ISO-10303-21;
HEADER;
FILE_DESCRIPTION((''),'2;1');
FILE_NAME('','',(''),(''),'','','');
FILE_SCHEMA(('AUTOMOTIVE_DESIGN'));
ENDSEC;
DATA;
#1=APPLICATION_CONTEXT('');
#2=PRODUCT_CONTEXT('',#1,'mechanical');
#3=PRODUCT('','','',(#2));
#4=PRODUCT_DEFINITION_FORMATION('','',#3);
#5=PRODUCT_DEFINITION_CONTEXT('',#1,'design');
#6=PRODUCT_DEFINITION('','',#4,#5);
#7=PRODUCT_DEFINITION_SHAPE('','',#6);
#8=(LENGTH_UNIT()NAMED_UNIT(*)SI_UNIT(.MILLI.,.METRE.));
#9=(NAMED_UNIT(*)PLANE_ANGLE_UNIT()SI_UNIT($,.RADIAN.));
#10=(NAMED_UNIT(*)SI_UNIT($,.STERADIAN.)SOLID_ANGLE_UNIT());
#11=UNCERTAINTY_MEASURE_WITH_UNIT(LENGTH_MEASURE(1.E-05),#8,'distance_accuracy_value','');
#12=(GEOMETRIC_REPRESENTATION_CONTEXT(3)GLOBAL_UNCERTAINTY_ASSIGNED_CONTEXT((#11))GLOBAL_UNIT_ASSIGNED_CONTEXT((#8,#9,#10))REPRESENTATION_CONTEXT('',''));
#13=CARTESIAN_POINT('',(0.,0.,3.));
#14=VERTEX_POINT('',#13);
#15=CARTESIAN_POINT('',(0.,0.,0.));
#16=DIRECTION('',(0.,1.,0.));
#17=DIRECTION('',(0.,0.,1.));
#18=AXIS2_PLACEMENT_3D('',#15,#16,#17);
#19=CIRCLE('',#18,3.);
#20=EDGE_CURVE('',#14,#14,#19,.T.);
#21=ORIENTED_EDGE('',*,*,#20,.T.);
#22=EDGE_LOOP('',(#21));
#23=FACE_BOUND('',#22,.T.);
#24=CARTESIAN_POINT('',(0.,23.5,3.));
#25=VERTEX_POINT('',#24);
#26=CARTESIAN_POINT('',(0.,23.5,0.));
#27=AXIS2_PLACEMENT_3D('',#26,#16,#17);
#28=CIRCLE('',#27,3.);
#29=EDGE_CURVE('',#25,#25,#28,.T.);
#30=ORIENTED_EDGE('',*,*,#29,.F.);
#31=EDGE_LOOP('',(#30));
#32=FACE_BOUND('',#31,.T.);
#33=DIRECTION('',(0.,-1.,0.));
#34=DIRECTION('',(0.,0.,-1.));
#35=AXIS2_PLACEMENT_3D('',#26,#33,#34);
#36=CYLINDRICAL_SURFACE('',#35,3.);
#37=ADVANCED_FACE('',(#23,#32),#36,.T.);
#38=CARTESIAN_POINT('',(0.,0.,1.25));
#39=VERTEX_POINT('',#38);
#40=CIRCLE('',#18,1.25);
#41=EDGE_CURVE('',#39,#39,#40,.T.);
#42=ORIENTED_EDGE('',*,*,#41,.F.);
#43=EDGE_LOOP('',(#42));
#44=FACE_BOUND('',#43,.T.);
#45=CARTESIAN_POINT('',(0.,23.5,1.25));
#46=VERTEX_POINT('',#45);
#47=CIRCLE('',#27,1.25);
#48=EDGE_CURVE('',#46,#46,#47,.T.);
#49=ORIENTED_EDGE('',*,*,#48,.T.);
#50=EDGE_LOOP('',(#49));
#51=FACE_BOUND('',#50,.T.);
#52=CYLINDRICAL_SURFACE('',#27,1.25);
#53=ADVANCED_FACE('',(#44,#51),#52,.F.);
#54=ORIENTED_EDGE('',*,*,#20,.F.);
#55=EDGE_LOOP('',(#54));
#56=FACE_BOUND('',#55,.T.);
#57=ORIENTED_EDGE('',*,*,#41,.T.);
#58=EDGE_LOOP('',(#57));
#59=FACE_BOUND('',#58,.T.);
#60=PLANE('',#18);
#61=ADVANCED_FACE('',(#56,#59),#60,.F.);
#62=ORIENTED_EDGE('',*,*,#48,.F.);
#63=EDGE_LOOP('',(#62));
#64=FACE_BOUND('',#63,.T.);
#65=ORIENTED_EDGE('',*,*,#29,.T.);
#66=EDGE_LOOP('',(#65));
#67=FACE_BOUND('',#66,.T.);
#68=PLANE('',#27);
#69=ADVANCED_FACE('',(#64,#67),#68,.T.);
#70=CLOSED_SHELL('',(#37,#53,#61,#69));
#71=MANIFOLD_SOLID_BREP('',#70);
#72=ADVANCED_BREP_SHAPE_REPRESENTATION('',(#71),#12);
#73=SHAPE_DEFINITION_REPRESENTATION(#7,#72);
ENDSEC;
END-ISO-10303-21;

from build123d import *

# Parameters (mm, degrees)
SKETCH1_R                   = 3
BOSS_EXTRUDE1_DEPTH         = 23.5
TAP_DRILL_FOR_M3X0_5_TAP1_D = 2.5


with BuildPart() as part:
    # Sketch1 → Boss-Extrude1 (new body)
    with BuildSketch(Plane(origin=(0, 0, 0), x_dir=(1, 0, 0), z_dir=(0, 1, 0))):
        with Locations(Location((0, 0, 0), (0, 0, 270))):
            Circle(SKETCH1_R)
    extrude(amount=BOSS_EXTRUDE1_DEPTH)

    # Tap Drill for M3x0.5 Tap1 (through all)
    with Locations(Plane(origin=(0, 23.5, 0), x_dir=(1, 0, 0), z_dir=(0, 1, 0))):
        with Locations((0, 0)):
            Hole(TAP_DRILL_FOR_M3X0_5_TAP1_D / 2)


solid = part.part
